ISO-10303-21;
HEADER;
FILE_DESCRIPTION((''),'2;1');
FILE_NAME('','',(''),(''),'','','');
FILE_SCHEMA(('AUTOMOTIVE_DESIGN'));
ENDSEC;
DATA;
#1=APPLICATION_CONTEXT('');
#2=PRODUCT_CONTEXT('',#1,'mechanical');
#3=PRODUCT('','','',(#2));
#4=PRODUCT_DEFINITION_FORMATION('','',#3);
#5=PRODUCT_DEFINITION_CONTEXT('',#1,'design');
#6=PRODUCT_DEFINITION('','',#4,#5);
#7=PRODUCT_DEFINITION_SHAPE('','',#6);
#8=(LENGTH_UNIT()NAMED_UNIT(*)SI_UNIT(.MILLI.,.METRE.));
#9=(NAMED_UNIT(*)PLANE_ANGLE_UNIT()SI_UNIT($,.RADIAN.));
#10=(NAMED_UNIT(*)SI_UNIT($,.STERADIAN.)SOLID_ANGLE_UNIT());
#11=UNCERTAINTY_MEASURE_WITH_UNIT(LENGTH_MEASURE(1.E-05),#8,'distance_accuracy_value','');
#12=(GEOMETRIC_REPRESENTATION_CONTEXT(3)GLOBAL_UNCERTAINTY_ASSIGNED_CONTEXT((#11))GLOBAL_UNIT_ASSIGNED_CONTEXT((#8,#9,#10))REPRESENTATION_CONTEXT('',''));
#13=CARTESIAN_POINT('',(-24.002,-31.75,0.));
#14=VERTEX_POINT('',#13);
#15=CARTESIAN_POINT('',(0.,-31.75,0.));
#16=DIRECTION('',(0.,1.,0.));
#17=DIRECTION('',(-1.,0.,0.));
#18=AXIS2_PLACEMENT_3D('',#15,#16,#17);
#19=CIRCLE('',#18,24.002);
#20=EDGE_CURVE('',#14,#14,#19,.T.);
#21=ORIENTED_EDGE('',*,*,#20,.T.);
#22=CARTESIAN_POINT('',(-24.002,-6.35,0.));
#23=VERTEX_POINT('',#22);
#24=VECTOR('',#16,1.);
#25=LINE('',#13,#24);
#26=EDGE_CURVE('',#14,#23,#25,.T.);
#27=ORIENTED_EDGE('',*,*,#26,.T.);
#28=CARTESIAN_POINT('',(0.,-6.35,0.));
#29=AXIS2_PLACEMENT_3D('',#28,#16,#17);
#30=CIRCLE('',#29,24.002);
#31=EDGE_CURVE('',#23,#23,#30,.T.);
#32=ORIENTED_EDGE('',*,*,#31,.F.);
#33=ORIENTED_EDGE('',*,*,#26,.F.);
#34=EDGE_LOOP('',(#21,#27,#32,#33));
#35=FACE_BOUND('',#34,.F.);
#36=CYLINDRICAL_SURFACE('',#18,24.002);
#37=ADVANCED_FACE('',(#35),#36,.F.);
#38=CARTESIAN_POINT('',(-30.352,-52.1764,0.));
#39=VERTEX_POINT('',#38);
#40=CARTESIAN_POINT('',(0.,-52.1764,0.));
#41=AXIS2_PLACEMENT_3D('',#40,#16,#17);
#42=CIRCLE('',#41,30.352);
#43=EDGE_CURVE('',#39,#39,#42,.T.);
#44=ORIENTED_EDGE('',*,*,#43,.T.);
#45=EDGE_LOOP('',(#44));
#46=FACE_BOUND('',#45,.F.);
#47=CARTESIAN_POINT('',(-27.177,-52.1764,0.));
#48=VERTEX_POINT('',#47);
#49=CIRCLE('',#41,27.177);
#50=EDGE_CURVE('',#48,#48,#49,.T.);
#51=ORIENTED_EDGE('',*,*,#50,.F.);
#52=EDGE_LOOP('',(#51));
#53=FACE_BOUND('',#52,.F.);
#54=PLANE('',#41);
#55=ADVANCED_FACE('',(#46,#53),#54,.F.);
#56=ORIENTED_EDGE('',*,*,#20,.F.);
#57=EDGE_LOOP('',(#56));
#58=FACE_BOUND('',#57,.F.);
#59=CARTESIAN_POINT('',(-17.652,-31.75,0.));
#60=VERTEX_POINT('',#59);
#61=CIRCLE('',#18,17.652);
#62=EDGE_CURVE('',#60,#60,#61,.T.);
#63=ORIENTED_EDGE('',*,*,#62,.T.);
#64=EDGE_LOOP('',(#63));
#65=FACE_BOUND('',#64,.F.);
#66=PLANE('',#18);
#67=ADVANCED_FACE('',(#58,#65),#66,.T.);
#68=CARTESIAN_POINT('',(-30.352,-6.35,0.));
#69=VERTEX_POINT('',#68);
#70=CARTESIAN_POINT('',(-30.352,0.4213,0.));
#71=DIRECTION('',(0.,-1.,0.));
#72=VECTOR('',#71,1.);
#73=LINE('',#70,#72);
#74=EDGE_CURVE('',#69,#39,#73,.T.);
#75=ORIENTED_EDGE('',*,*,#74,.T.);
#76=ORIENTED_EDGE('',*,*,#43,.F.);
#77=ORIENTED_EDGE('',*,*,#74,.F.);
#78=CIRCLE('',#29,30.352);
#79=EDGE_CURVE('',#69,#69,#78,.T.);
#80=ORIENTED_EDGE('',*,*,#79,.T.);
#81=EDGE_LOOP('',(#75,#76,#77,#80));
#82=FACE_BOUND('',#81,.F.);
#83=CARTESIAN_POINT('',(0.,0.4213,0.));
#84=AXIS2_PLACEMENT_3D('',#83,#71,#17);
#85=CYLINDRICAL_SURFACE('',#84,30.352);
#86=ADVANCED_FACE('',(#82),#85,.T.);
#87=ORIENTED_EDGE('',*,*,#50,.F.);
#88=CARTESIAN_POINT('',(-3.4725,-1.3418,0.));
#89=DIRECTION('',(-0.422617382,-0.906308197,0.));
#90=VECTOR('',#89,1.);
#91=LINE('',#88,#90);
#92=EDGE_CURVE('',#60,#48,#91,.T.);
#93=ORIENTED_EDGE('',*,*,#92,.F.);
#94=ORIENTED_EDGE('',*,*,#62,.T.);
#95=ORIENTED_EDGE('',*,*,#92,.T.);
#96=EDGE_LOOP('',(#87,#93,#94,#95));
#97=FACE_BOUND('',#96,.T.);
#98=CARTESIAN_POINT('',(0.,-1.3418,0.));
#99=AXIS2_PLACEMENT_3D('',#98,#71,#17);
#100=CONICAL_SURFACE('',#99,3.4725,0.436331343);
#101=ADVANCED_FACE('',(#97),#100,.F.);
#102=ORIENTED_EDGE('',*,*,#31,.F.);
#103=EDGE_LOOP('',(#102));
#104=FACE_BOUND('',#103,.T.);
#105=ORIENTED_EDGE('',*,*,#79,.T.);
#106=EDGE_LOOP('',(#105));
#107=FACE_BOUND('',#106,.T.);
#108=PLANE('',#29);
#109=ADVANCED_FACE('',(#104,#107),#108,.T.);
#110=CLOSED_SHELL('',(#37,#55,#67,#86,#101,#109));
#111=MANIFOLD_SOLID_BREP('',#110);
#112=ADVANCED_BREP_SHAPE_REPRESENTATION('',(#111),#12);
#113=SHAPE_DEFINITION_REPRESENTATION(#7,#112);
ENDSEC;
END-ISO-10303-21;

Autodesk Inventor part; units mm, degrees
ref_plane "YZ Plane" through (0, 0, 0) normal (1, 0, 0) x (0, 1, 0)
ref_plane "XZ Plane" through (0, 0, 0) normal (0, 1, 0) x (-1, 0, 0)
ref_plane "XY Plane" through (0, 0, 0) normal (0, 0, 1) x (1, 0, 0)
sketch "Sketch1" plane through (0, 0, 0) normal (0, 0, 1) x (1, 0, 0)
  line L0 (-24.002, 6.35) -> (-17.7813, 6.35)
  line L1 (-43.052, 13.1213) -> (-5.5282, 3.0668)
  line L2 (-3.4725, -1.3418) -> (-39.877, -79.4117)
  line L3 (-17.652, -31.75) -> (-24.002, -31.75)
  line L4 (-24.002, -31.75) -> (-24.002, 6.35)
  arc A0 (-3.4725, -1.3418) -> (-5.5282, 3.0668) centre (-6.35, 0) ccw
  line L5 (-30.352, 0.4213) -> (-30.352, -52.1764)
  line L6 (-30.352, -52.1764) -> (-27.177, -52.1764)
  line L7 (-30.352, 0.4213) -> (-43.052, 0.4213)
  line L8 (-43.052, 0.4213) -> (-43.052, 5.1238)
  line L9 (-43.052, 5.1238) -> (-43.052, 13.1213)
  line L10 (-43.052, 0.4213) -> (-43.052, -5.9287)
  line L11 (-43.052, -5.9287) -> (-36.702, -5.9287)
  line L12 (-36.702, -5.9287) -> (-36.702, -64.1466)
  line L13 (-36.702, -64.1466) -> (-32.7588, -64.1466)
  line L14 (-39.877, -5.9287) -> (-39.877, -9.1037)
  line L15 (-39.877, -9.1037) -> (-43.052, -9.1037)
  line L16 (-43.052, -9.1037) -> (-43.052, -21.8037)
  line L17 (-43.052, -21.8037) -> (-36.702, -21.8037)
  line L18 (-43.052, -51.4466) -> (-43.052, -79.4117)
  line L19 (-43.052, -51.4466) -> (-36.702, -51.4466)
  line L20 (-43.052, -79.4117) -> (-39.877, -79.4117)
  line L21 (0, -97.9183) -> (0, 31.6279) projected
  line L22 (-30.352, -6.35) -> (-24.002, -6.35)
  point P0 (0, 0)
  dimension "d0" = 6.35
  dimension "d1" = 25
  dimension "d2" = 15
  dimension "d4" = 6.35
  dimension "d5" = 38.1
  dimension "d6" = 31.75
  dimension "d7" = 6.35
  dimension "d11" = 6.35
  dimension "d13" = 12.7
  dimension "d15" = 6.35
  dimension "d16" = 6.35
  dimension "d18" = 3.175
  dimension "d19" = 12.7
  dimension "d20" = 3.175
  dimension "d21" = 6.35
  dimension "d22" = 3.175
  dimension "d23" = 3.175
  dimension "d24" = 6.35
  dimension "d25" = 12.7
  dimension "d26" = 58.2179
  dimension "d27" = 12.7
  dimension "d29" = 12.7
revolve "Revolution3" add sketch "Sketch1" angle 360 about axis through (0, -10, 0) along (0, 1, 0) contours L4 L3 L2 L6 L5 L22
properties part number "phenolic_liner" material "Phenolic Resin"
